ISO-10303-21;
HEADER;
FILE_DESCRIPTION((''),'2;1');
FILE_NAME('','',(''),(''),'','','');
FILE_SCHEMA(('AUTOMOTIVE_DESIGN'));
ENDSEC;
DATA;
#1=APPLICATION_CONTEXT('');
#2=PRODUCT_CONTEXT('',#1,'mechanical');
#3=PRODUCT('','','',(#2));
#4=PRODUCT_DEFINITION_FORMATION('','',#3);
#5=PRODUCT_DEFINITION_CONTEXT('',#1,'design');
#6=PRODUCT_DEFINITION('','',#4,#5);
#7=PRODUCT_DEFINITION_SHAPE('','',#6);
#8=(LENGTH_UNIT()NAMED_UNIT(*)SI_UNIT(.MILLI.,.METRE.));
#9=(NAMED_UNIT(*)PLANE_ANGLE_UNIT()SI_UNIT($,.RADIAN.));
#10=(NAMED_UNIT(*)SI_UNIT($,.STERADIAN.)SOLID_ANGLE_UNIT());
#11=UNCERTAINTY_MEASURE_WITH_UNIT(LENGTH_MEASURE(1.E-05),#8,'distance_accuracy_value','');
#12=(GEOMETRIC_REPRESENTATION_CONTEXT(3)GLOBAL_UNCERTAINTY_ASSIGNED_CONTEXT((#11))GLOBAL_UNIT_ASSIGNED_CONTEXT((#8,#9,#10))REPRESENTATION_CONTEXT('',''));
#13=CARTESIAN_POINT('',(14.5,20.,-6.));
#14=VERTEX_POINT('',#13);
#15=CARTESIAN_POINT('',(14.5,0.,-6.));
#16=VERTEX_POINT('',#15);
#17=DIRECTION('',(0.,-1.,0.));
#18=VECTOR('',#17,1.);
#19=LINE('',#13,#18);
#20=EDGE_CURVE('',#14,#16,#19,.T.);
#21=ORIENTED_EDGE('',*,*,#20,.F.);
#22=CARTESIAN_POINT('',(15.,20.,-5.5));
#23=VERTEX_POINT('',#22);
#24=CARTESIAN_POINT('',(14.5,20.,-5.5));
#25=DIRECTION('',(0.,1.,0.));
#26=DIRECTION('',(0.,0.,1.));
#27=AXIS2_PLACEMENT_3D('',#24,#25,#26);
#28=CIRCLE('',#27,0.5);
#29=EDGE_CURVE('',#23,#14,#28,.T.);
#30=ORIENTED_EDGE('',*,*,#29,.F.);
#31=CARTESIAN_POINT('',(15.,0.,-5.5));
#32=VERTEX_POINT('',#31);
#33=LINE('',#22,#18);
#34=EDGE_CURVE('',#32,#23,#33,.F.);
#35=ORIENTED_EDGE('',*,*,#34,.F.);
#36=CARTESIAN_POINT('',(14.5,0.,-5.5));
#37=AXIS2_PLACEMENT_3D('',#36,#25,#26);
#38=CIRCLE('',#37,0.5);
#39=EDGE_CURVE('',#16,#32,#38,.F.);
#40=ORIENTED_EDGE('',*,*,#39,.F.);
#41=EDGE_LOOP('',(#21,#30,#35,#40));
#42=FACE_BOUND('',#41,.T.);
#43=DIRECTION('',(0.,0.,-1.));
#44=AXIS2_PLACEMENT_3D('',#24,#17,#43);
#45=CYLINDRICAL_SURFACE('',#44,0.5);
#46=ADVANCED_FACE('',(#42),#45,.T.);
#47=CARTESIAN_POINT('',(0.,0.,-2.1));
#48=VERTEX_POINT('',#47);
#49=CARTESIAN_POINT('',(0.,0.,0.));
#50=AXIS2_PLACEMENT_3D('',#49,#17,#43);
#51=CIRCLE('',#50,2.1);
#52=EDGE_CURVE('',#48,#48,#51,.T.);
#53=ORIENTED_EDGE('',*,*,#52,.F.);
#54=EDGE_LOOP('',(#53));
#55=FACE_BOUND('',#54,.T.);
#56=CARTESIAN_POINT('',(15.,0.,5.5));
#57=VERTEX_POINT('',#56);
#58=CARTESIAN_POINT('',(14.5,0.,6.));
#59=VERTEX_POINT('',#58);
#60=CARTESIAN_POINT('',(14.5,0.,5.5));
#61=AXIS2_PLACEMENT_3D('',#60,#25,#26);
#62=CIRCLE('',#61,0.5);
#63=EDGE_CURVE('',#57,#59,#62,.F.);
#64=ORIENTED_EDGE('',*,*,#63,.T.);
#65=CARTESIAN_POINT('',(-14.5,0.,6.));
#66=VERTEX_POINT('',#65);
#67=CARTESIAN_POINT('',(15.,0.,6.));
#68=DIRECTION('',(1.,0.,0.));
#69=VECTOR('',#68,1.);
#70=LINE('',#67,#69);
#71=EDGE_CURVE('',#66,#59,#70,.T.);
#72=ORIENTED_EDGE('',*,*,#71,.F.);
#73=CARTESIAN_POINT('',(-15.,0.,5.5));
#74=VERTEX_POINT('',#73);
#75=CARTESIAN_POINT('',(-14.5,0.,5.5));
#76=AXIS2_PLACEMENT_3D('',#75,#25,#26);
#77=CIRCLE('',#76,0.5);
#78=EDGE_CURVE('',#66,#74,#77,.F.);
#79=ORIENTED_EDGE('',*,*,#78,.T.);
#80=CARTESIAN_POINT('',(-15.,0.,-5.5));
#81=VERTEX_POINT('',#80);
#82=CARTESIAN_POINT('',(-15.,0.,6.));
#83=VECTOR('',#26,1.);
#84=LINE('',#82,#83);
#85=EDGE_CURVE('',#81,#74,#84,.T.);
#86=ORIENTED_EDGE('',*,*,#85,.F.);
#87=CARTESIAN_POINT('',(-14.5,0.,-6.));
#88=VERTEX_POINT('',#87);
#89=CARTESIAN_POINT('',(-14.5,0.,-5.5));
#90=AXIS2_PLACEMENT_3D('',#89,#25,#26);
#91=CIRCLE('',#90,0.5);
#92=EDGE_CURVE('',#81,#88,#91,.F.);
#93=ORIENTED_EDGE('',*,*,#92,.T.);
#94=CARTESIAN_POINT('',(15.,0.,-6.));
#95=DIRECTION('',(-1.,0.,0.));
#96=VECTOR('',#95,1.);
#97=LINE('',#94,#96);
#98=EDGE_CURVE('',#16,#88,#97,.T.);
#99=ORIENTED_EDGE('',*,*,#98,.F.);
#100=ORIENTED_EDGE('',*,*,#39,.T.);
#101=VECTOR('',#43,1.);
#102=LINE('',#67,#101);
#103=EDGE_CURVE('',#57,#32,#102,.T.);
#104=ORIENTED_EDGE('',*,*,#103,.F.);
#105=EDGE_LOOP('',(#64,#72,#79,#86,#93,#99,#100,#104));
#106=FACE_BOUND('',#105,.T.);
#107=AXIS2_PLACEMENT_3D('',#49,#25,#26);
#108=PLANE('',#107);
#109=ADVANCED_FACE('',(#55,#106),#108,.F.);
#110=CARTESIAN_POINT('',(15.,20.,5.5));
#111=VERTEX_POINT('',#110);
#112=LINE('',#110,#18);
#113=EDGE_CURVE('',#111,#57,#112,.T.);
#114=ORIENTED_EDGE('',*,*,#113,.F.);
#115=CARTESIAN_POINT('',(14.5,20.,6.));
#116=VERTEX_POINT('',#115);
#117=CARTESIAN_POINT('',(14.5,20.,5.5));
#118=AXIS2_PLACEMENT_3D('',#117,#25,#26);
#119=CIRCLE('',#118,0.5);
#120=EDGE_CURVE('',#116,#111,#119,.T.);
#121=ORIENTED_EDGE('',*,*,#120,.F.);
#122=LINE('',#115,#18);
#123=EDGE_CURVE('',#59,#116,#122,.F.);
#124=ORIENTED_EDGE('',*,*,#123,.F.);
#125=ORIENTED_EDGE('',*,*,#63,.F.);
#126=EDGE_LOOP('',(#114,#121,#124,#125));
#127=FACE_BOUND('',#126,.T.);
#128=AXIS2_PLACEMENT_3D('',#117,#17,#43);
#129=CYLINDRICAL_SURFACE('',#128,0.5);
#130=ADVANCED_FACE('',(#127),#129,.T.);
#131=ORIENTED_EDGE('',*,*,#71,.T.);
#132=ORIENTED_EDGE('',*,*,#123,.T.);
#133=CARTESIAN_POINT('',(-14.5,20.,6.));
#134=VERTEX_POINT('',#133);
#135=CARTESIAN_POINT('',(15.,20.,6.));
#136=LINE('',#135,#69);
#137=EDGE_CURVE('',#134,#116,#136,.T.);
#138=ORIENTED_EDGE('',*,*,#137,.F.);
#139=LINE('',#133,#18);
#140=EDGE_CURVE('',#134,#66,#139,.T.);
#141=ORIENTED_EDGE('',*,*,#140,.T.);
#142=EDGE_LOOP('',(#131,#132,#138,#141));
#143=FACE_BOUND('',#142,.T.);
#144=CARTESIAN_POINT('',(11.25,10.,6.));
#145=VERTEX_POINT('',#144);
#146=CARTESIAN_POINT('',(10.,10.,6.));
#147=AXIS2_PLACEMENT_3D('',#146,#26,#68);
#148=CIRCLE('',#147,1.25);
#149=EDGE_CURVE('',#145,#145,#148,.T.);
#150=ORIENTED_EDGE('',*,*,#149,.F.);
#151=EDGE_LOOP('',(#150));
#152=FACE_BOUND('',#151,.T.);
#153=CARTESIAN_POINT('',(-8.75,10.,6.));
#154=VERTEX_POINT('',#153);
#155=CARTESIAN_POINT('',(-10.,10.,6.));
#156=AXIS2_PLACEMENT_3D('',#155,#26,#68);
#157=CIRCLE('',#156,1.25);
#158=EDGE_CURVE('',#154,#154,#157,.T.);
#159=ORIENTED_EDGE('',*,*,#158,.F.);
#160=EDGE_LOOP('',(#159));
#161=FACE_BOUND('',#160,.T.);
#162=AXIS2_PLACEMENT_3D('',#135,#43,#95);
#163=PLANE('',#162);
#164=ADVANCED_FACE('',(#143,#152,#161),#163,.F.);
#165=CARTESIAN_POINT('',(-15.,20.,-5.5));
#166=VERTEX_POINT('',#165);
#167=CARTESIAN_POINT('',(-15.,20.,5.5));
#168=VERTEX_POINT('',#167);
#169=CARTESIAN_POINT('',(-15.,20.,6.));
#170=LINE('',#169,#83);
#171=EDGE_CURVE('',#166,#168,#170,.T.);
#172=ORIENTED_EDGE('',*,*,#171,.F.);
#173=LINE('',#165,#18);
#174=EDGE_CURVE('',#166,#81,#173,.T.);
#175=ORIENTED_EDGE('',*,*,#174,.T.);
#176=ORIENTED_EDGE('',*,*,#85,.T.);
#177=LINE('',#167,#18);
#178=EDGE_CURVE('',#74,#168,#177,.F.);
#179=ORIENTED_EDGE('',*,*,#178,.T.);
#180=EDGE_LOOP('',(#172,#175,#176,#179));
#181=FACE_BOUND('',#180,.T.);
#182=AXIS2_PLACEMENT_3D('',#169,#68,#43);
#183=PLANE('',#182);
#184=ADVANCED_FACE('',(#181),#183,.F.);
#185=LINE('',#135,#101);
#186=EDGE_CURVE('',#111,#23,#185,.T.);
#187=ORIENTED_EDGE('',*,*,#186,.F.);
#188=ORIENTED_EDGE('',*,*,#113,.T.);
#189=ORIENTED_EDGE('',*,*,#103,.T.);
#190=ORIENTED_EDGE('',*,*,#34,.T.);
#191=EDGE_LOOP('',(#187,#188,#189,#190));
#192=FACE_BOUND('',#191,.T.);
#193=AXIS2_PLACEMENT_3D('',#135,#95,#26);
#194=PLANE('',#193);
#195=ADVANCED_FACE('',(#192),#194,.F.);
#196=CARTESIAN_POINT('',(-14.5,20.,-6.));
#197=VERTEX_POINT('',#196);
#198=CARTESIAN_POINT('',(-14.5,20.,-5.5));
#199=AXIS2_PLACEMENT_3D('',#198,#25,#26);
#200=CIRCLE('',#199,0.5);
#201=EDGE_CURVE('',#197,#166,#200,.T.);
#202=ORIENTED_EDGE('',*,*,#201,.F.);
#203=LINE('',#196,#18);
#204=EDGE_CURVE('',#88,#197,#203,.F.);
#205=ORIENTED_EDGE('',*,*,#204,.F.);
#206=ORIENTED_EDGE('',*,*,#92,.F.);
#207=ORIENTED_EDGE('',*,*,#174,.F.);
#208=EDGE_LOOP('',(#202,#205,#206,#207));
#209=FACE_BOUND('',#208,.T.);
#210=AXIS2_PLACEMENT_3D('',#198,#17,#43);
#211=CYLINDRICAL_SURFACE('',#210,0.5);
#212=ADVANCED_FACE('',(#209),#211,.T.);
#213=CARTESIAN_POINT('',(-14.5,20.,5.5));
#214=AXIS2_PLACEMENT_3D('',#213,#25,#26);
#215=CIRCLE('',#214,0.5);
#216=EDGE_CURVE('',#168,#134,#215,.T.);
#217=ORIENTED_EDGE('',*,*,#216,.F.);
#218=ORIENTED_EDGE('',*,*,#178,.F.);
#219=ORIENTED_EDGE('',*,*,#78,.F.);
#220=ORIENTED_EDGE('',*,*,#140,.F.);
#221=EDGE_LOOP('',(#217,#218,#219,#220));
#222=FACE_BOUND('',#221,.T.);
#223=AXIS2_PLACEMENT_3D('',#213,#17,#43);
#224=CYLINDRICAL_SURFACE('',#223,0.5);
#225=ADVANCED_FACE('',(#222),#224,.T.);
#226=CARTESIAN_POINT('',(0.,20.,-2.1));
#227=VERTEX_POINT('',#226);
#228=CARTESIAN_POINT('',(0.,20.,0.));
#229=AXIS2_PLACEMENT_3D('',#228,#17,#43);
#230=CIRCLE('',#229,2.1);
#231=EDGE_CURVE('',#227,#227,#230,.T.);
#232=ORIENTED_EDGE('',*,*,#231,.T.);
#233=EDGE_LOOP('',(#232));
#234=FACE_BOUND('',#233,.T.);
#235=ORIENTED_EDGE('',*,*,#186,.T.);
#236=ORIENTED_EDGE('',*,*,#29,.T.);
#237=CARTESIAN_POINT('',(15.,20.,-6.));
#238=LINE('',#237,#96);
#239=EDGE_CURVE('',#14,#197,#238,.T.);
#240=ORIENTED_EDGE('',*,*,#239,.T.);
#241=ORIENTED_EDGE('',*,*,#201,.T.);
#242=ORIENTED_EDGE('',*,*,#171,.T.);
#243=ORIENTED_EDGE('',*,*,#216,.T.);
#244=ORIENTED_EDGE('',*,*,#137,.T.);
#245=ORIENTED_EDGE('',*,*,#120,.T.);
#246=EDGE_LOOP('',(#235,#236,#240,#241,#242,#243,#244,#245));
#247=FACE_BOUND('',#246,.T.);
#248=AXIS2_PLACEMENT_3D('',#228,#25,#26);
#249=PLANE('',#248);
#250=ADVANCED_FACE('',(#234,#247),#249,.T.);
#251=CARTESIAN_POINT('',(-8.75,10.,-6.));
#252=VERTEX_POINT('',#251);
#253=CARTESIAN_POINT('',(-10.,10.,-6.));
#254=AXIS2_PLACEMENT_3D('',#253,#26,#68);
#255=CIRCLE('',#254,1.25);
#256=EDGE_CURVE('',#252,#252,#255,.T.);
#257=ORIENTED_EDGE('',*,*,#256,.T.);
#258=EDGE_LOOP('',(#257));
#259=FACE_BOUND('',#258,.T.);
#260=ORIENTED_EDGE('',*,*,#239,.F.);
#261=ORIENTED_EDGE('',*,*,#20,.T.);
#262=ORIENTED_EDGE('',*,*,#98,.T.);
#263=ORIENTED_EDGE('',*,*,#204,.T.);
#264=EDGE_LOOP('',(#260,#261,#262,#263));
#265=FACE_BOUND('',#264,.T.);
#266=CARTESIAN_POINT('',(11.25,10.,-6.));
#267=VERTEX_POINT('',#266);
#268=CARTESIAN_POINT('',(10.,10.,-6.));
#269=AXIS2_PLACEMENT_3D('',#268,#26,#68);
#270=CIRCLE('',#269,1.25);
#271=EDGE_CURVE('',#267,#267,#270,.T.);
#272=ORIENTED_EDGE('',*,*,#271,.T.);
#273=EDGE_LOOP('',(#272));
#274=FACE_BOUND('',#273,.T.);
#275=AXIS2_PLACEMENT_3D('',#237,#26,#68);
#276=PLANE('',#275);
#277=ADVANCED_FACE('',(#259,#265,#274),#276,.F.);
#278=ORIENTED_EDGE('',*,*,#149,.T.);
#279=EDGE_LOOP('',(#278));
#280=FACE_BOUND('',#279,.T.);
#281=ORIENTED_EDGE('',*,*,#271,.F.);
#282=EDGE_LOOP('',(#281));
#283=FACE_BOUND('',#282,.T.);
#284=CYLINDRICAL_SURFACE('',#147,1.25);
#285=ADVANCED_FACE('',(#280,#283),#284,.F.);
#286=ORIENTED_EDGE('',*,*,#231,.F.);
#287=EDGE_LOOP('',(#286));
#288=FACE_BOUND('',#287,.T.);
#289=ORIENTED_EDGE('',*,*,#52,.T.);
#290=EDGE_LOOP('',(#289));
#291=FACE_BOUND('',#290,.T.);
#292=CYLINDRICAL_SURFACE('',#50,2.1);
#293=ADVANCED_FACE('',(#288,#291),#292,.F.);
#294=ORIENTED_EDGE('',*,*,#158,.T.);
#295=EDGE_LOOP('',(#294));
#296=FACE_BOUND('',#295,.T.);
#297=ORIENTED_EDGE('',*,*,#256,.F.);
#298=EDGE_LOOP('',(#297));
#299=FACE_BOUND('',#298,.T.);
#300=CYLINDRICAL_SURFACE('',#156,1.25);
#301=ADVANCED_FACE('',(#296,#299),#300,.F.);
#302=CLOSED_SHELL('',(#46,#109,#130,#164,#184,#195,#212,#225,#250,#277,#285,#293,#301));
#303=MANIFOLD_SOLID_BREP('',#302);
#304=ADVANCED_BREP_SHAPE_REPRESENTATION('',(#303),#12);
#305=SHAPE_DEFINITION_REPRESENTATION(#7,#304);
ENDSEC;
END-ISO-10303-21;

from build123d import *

# Parameters (mm, degrees)
SKETCH1_W                   = 30
SKETCH1_H                   = 12
BOSS_EXTRUDE1_DEPTH         = 20
TAP_DRILL_FOR_M5X0_8_TAP1_D = 4.2
TAP_DRILL_FOR_M3X0_5_TAP1_D = 2.5
FILLET1_R                   = 0.5


with BuildPart() as part:
    # Sketch1 → Boss-Extrude1 (new body)
    with BuildSketch(Plane(origin=(0, 0, 0), x_dir=(1, 0, 0), z_dir=(0, 1, 0))):
        Rectangle(SKETCH1_W, SKETCH1_H)
    extrude(amount=BOSS_EXTRUDE1_DEPTH)

    # Tap Drill for M5x0.8 Tap1 (through all)
    with Locations(Plane(origin=(0, 0, 0), x_dir=(-1, 0, 0), z_dir=(0, -1, 0))):
        with Locations((0, 0)):
            Hole(TAP_DRILL_FOR_M5X0_8_TAP1_D / 2)

    # Tap Drill for M3x0.5 Tap1 (through all)
    with Locations(Plane.XY.offset(6)):
        with Locations((-10, 10), (10, 10)):
            Hole(TAP_DRILL_FOR_M3X0_5_TAP1_D / 2)

    # Fillet1
    fillet1_edges = [part.edges().sort_by_distance(p)[0] for p in [
        (-15, 10, -6),
        (15, 10, -6),
        (15, 10, 6),
        (-15, 10, 6),
    ]]
    fillet(fillet1_edges, radius=FILLET1_R)


solid = part.part
